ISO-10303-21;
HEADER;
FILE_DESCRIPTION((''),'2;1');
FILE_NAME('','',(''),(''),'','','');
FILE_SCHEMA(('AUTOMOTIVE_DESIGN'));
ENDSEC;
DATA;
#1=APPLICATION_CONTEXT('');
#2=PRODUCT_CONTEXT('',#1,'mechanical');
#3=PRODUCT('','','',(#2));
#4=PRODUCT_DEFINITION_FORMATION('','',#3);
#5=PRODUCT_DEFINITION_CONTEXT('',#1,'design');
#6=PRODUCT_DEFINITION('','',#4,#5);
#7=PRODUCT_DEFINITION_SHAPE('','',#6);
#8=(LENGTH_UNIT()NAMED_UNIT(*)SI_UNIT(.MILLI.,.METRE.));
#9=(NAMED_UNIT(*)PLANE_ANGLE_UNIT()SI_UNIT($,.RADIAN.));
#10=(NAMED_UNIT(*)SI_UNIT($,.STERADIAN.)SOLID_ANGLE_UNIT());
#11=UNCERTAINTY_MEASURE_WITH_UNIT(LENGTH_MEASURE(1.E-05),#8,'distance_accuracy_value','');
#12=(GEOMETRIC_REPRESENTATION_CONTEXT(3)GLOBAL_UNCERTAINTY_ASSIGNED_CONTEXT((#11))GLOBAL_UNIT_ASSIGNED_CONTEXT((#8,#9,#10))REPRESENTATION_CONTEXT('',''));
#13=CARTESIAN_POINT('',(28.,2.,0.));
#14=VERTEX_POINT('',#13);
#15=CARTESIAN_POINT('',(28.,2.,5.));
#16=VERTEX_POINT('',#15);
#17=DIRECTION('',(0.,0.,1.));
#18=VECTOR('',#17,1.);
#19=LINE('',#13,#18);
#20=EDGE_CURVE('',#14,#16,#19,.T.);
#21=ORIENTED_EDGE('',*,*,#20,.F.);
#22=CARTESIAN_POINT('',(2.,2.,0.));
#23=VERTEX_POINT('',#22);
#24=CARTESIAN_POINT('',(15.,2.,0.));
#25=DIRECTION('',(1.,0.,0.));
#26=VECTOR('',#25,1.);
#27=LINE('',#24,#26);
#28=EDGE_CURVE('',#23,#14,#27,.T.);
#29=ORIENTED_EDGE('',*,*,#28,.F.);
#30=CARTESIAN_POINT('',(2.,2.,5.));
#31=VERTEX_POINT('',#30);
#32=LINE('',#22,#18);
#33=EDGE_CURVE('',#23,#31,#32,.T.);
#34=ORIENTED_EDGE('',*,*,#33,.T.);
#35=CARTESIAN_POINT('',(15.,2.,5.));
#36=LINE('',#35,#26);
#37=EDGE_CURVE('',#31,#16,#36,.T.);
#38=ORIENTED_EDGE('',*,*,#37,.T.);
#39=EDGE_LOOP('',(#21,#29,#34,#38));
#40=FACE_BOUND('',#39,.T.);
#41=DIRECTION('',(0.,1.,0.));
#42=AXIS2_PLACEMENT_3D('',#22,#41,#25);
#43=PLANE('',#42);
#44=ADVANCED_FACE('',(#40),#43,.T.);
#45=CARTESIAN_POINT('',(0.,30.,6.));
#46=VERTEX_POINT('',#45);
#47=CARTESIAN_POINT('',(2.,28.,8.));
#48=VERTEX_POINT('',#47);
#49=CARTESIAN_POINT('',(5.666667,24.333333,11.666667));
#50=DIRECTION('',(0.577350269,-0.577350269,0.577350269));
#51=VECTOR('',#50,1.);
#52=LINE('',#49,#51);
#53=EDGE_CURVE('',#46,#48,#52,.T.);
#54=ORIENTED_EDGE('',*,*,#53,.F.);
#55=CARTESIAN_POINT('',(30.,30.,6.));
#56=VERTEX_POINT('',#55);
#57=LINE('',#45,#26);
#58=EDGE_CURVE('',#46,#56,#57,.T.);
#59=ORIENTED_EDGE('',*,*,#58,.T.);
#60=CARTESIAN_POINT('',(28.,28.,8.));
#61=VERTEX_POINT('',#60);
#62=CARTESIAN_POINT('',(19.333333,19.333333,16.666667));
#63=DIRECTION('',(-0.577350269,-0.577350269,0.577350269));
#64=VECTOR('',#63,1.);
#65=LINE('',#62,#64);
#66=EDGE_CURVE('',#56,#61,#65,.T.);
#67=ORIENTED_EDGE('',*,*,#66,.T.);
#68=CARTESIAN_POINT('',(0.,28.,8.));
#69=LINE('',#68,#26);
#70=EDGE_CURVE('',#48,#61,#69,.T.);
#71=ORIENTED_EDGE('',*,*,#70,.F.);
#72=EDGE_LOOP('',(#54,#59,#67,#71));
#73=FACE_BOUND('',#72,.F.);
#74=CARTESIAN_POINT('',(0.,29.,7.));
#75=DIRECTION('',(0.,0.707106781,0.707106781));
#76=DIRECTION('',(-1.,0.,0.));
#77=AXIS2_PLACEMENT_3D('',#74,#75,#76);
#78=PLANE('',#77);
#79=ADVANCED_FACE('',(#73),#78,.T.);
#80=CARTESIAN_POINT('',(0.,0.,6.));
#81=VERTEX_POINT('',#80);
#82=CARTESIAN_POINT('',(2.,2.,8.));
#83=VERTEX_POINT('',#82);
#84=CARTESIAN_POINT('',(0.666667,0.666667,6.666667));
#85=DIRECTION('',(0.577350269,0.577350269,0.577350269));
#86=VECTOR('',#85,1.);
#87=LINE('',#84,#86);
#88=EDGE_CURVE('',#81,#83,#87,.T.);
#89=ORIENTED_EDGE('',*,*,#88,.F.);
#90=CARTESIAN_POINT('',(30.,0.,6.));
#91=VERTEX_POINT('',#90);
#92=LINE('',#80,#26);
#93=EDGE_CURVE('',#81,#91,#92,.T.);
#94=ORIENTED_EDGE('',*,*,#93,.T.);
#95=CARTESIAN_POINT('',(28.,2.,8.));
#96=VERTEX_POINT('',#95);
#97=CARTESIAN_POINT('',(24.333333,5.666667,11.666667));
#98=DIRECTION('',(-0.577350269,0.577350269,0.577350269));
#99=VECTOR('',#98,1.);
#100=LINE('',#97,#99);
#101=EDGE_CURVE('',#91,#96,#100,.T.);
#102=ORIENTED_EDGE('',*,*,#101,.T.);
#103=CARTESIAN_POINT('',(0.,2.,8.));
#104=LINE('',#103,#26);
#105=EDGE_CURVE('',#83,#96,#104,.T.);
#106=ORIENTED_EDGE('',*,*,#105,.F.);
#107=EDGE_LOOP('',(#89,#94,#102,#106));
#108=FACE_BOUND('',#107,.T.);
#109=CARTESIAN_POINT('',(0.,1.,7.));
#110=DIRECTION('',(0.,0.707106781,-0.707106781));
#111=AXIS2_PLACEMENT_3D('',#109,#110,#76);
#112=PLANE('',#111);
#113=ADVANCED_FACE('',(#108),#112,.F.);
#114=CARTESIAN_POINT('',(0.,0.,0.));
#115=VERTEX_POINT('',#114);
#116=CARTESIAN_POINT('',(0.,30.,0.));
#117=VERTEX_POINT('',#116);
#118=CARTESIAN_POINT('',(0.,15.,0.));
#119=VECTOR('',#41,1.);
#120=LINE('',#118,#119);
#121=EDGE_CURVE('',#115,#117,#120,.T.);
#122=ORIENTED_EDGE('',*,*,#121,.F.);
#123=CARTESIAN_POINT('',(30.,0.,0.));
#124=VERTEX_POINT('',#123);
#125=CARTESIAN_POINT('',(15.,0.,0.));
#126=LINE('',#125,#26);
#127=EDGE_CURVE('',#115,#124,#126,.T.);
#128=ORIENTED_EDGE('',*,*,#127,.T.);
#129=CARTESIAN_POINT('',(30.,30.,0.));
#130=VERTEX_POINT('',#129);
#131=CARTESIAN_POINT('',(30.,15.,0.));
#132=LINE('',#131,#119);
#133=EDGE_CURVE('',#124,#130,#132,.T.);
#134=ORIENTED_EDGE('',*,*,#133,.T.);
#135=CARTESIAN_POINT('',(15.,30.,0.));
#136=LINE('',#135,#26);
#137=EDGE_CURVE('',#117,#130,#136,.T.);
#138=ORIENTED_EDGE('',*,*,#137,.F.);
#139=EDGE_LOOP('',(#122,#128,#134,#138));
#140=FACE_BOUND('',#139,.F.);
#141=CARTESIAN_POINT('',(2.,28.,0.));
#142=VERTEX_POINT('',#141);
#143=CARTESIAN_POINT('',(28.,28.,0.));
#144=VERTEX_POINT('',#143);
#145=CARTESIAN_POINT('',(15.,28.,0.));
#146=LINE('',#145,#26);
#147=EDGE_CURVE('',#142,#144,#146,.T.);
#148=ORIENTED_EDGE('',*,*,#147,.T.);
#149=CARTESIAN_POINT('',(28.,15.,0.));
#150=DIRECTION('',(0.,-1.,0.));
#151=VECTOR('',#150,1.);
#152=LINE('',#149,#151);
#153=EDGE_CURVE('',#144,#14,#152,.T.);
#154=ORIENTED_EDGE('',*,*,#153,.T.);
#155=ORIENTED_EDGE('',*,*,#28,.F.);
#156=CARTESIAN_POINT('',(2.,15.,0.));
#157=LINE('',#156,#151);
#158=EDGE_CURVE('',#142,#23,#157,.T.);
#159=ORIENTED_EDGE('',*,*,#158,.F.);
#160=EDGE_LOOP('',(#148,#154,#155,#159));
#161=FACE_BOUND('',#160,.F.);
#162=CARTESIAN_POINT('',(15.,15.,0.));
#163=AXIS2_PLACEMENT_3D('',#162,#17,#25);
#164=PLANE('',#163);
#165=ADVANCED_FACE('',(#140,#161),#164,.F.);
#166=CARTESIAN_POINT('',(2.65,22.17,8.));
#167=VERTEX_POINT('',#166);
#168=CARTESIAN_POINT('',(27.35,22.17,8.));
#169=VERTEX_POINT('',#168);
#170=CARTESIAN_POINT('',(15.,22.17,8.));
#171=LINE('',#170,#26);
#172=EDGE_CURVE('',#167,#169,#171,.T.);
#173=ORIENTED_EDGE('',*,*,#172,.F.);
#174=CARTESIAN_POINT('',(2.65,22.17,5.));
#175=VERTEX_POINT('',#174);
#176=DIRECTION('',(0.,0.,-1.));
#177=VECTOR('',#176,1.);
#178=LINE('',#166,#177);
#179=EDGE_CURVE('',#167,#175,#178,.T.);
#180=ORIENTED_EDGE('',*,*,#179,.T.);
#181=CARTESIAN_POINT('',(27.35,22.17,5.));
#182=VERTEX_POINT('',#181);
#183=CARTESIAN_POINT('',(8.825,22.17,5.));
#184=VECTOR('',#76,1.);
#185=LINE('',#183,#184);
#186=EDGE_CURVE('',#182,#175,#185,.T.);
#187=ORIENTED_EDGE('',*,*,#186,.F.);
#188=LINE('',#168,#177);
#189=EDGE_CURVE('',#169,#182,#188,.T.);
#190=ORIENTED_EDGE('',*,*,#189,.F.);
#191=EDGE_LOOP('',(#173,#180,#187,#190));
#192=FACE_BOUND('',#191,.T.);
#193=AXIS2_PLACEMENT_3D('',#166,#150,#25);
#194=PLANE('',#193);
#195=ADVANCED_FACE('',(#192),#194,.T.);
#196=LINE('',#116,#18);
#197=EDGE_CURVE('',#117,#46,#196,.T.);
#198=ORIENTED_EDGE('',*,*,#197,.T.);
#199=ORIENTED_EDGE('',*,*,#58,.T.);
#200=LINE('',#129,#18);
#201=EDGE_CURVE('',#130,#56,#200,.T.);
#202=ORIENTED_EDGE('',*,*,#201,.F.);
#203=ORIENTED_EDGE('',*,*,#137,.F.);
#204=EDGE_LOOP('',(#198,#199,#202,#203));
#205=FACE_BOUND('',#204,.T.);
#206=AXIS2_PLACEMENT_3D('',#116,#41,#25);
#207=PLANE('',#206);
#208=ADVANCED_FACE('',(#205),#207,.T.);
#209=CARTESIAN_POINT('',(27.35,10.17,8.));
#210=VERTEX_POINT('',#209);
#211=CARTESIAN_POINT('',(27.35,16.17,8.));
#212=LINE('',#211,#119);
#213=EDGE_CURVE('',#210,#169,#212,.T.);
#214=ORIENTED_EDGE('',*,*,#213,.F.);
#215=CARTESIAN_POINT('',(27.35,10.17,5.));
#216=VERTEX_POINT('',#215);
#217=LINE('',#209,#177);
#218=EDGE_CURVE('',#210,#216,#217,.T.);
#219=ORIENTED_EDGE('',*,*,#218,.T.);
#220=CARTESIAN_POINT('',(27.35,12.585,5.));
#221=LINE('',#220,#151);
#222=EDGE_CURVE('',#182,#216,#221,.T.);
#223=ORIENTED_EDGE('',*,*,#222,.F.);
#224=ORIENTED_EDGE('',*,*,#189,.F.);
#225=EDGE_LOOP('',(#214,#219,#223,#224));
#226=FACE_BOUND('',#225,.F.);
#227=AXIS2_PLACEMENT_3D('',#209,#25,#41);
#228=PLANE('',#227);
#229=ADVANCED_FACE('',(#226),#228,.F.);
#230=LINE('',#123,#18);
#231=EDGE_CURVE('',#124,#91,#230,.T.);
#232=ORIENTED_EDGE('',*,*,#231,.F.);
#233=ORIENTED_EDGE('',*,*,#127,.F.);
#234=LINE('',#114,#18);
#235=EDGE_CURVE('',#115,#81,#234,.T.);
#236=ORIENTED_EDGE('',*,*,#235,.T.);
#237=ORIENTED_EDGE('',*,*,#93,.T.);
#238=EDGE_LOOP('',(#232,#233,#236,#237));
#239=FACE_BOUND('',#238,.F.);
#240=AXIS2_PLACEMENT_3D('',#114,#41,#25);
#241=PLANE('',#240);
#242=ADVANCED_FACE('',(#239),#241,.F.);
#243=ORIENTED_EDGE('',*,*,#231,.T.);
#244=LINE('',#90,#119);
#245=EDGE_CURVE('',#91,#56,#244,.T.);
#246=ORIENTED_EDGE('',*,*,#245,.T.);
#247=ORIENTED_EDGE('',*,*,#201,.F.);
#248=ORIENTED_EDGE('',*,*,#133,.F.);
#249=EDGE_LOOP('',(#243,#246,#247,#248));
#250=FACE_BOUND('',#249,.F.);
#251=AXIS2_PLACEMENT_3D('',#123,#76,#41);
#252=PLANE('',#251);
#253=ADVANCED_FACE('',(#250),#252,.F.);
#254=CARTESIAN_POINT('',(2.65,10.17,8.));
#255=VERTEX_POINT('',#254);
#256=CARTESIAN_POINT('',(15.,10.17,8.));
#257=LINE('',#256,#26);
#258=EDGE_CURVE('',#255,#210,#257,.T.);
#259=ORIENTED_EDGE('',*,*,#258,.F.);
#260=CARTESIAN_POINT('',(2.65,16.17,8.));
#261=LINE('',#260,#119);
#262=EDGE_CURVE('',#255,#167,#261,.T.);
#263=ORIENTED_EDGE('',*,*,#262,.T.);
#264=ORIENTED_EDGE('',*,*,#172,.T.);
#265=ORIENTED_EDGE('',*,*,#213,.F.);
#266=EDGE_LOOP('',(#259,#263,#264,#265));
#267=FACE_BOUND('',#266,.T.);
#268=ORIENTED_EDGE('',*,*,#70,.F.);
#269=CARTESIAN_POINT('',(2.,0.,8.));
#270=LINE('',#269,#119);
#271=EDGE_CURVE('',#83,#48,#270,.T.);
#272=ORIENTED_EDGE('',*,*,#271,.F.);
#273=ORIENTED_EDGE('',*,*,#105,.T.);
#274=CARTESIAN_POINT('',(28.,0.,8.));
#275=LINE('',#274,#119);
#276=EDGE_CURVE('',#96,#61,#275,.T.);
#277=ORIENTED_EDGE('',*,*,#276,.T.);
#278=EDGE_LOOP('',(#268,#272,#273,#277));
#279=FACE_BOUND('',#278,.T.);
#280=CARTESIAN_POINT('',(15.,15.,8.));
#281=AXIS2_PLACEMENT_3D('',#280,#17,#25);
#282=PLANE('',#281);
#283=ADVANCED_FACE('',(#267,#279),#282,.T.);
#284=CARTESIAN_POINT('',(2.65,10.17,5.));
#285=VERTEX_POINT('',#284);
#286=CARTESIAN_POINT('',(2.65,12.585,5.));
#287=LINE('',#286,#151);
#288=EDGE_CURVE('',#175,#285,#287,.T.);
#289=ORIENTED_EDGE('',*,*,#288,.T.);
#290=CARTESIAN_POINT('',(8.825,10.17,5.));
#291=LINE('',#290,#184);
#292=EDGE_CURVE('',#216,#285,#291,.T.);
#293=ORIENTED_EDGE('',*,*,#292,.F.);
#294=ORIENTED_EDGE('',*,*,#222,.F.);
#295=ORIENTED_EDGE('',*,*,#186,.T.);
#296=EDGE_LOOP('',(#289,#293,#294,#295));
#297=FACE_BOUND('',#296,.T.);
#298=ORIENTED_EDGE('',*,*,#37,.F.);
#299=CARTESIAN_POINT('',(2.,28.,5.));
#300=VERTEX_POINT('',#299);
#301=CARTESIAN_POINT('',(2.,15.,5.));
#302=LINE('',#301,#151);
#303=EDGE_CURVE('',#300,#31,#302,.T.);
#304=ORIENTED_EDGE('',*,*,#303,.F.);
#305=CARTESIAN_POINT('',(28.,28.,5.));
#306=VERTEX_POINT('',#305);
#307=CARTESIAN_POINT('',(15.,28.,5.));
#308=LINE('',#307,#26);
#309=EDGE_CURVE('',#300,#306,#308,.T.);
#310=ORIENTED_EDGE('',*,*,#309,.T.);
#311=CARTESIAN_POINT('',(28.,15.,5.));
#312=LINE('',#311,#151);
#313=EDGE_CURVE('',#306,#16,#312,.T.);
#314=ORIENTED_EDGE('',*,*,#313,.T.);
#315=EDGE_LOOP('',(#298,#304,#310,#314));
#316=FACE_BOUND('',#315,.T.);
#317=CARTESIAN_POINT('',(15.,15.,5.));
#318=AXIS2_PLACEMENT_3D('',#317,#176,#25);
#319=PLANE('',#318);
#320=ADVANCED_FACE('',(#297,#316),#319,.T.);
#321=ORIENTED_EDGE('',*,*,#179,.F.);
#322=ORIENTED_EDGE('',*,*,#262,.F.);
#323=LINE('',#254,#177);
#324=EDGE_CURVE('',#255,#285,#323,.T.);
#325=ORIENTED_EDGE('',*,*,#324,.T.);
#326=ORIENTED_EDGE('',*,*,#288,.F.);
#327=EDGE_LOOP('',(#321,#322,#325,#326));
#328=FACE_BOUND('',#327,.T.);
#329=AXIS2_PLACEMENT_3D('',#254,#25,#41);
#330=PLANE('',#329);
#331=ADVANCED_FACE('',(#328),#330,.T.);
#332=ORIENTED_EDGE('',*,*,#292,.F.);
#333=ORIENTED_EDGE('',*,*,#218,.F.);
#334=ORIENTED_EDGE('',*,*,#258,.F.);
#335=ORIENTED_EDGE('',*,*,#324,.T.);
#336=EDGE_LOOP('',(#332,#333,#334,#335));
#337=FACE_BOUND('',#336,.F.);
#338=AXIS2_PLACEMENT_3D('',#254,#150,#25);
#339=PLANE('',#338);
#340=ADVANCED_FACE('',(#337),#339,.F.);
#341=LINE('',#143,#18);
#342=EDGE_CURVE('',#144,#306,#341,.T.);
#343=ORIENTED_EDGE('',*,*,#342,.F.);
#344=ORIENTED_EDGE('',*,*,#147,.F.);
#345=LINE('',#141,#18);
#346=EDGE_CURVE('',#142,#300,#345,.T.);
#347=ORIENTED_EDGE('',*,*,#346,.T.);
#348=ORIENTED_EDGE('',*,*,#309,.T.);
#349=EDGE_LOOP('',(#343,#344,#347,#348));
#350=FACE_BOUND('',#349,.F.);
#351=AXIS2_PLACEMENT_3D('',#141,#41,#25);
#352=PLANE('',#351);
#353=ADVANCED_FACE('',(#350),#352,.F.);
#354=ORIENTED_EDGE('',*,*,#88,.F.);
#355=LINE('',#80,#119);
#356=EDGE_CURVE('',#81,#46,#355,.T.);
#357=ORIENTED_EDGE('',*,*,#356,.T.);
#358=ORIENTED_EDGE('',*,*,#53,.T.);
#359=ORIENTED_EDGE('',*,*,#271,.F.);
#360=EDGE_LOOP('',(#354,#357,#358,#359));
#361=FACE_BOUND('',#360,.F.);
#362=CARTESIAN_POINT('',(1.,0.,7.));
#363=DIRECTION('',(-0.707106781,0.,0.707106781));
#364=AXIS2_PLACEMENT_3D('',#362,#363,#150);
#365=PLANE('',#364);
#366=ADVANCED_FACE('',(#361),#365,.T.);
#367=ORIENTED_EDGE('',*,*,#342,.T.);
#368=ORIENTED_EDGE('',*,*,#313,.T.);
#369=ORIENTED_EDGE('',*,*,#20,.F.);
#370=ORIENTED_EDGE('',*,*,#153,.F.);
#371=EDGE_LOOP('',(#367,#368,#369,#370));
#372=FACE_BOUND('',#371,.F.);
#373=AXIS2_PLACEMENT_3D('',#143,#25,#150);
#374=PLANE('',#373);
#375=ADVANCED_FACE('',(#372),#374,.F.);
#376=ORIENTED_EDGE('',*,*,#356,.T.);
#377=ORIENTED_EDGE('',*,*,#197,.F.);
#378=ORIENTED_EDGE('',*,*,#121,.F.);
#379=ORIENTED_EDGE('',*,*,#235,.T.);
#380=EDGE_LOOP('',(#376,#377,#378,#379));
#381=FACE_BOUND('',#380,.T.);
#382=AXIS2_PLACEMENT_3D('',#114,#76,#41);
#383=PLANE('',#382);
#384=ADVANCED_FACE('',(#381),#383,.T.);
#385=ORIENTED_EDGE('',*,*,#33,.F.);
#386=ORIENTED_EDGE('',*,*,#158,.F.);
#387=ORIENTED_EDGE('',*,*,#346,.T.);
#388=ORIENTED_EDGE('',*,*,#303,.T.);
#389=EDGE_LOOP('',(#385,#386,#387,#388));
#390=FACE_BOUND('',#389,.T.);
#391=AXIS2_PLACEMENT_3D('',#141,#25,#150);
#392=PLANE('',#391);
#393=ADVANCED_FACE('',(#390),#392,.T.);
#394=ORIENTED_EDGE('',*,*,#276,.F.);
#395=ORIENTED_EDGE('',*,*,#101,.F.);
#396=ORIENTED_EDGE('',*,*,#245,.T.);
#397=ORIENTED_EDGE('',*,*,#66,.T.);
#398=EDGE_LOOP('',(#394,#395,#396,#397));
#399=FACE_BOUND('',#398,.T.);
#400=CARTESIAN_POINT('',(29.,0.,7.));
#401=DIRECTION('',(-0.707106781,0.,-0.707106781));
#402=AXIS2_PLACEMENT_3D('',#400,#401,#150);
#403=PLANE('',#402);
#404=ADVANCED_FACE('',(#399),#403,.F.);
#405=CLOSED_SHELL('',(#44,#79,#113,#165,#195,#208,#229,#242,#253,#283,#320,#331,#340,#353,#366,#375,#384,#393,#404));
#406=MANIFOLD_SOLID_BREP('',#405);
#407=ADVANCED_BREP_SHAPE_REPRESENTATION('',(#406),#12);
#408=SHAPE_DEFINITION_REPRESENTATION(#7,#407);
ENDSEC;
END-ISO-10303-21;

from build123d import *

# Parameters (mm, degrees)
SKETCH_W        = 30
SKETCH_H        = 30
PAD_DEPTH       = 8
CHAMFER_SIZE    = 2
SKETCH001_W     = 26
SKETCH001_H     = 26
POCKET_DEPTH    = 5
SKETCH002_W     = 24.7
SKETCH002_H     = 12
POCKET001_DEPTH = 5


with BuildPart() as part:
    # Sketch → Pad (new body)
    with BuildSketch(Plane.XY):
        with Locations((15, 15)):
            Rectangle(SKETCH_W, SKETCH_H)
    extrude(amount=PAD_DEPTH)

    # Chamfer
    chamfer_edges = [part.edges().sort_by_distance(p)[0] for p in [
        (15, 0, 8),
        (0, 15, 8),
        (15, 30, 8),
        (30, 15, 8),
    ]]
    chamfer(chamfer_edges, length=CHAMFER_SIZE)

    # Sketch001 (on Face4 of Chamfer) → Pocket (cut)
    with BuildSketch(Plane(origin=(0, 0, 0), x_dir=(1, 0, 0), z_dir=(0, 0, -1))):
        with Locations((15, -15)):
            Rectangle(SKETCH001_W, SKETCH001_H)
    extrude(amount=-POCKET_DEPTH, mode=Mode.SUBTRACT)

    # Sketch002 (on Face8 of Pocket) → Pocket001 (cut)
    with BuildSketch(Plane.XY.offset(8)):
        with Locations((15, 16.17)):
            Rectangle(SKETCH002_W, SKETCH002_H)
    extrude(amount=-POCKET001_DEPTH, mode=Mode.SUBTRACT)


solid = part.part
